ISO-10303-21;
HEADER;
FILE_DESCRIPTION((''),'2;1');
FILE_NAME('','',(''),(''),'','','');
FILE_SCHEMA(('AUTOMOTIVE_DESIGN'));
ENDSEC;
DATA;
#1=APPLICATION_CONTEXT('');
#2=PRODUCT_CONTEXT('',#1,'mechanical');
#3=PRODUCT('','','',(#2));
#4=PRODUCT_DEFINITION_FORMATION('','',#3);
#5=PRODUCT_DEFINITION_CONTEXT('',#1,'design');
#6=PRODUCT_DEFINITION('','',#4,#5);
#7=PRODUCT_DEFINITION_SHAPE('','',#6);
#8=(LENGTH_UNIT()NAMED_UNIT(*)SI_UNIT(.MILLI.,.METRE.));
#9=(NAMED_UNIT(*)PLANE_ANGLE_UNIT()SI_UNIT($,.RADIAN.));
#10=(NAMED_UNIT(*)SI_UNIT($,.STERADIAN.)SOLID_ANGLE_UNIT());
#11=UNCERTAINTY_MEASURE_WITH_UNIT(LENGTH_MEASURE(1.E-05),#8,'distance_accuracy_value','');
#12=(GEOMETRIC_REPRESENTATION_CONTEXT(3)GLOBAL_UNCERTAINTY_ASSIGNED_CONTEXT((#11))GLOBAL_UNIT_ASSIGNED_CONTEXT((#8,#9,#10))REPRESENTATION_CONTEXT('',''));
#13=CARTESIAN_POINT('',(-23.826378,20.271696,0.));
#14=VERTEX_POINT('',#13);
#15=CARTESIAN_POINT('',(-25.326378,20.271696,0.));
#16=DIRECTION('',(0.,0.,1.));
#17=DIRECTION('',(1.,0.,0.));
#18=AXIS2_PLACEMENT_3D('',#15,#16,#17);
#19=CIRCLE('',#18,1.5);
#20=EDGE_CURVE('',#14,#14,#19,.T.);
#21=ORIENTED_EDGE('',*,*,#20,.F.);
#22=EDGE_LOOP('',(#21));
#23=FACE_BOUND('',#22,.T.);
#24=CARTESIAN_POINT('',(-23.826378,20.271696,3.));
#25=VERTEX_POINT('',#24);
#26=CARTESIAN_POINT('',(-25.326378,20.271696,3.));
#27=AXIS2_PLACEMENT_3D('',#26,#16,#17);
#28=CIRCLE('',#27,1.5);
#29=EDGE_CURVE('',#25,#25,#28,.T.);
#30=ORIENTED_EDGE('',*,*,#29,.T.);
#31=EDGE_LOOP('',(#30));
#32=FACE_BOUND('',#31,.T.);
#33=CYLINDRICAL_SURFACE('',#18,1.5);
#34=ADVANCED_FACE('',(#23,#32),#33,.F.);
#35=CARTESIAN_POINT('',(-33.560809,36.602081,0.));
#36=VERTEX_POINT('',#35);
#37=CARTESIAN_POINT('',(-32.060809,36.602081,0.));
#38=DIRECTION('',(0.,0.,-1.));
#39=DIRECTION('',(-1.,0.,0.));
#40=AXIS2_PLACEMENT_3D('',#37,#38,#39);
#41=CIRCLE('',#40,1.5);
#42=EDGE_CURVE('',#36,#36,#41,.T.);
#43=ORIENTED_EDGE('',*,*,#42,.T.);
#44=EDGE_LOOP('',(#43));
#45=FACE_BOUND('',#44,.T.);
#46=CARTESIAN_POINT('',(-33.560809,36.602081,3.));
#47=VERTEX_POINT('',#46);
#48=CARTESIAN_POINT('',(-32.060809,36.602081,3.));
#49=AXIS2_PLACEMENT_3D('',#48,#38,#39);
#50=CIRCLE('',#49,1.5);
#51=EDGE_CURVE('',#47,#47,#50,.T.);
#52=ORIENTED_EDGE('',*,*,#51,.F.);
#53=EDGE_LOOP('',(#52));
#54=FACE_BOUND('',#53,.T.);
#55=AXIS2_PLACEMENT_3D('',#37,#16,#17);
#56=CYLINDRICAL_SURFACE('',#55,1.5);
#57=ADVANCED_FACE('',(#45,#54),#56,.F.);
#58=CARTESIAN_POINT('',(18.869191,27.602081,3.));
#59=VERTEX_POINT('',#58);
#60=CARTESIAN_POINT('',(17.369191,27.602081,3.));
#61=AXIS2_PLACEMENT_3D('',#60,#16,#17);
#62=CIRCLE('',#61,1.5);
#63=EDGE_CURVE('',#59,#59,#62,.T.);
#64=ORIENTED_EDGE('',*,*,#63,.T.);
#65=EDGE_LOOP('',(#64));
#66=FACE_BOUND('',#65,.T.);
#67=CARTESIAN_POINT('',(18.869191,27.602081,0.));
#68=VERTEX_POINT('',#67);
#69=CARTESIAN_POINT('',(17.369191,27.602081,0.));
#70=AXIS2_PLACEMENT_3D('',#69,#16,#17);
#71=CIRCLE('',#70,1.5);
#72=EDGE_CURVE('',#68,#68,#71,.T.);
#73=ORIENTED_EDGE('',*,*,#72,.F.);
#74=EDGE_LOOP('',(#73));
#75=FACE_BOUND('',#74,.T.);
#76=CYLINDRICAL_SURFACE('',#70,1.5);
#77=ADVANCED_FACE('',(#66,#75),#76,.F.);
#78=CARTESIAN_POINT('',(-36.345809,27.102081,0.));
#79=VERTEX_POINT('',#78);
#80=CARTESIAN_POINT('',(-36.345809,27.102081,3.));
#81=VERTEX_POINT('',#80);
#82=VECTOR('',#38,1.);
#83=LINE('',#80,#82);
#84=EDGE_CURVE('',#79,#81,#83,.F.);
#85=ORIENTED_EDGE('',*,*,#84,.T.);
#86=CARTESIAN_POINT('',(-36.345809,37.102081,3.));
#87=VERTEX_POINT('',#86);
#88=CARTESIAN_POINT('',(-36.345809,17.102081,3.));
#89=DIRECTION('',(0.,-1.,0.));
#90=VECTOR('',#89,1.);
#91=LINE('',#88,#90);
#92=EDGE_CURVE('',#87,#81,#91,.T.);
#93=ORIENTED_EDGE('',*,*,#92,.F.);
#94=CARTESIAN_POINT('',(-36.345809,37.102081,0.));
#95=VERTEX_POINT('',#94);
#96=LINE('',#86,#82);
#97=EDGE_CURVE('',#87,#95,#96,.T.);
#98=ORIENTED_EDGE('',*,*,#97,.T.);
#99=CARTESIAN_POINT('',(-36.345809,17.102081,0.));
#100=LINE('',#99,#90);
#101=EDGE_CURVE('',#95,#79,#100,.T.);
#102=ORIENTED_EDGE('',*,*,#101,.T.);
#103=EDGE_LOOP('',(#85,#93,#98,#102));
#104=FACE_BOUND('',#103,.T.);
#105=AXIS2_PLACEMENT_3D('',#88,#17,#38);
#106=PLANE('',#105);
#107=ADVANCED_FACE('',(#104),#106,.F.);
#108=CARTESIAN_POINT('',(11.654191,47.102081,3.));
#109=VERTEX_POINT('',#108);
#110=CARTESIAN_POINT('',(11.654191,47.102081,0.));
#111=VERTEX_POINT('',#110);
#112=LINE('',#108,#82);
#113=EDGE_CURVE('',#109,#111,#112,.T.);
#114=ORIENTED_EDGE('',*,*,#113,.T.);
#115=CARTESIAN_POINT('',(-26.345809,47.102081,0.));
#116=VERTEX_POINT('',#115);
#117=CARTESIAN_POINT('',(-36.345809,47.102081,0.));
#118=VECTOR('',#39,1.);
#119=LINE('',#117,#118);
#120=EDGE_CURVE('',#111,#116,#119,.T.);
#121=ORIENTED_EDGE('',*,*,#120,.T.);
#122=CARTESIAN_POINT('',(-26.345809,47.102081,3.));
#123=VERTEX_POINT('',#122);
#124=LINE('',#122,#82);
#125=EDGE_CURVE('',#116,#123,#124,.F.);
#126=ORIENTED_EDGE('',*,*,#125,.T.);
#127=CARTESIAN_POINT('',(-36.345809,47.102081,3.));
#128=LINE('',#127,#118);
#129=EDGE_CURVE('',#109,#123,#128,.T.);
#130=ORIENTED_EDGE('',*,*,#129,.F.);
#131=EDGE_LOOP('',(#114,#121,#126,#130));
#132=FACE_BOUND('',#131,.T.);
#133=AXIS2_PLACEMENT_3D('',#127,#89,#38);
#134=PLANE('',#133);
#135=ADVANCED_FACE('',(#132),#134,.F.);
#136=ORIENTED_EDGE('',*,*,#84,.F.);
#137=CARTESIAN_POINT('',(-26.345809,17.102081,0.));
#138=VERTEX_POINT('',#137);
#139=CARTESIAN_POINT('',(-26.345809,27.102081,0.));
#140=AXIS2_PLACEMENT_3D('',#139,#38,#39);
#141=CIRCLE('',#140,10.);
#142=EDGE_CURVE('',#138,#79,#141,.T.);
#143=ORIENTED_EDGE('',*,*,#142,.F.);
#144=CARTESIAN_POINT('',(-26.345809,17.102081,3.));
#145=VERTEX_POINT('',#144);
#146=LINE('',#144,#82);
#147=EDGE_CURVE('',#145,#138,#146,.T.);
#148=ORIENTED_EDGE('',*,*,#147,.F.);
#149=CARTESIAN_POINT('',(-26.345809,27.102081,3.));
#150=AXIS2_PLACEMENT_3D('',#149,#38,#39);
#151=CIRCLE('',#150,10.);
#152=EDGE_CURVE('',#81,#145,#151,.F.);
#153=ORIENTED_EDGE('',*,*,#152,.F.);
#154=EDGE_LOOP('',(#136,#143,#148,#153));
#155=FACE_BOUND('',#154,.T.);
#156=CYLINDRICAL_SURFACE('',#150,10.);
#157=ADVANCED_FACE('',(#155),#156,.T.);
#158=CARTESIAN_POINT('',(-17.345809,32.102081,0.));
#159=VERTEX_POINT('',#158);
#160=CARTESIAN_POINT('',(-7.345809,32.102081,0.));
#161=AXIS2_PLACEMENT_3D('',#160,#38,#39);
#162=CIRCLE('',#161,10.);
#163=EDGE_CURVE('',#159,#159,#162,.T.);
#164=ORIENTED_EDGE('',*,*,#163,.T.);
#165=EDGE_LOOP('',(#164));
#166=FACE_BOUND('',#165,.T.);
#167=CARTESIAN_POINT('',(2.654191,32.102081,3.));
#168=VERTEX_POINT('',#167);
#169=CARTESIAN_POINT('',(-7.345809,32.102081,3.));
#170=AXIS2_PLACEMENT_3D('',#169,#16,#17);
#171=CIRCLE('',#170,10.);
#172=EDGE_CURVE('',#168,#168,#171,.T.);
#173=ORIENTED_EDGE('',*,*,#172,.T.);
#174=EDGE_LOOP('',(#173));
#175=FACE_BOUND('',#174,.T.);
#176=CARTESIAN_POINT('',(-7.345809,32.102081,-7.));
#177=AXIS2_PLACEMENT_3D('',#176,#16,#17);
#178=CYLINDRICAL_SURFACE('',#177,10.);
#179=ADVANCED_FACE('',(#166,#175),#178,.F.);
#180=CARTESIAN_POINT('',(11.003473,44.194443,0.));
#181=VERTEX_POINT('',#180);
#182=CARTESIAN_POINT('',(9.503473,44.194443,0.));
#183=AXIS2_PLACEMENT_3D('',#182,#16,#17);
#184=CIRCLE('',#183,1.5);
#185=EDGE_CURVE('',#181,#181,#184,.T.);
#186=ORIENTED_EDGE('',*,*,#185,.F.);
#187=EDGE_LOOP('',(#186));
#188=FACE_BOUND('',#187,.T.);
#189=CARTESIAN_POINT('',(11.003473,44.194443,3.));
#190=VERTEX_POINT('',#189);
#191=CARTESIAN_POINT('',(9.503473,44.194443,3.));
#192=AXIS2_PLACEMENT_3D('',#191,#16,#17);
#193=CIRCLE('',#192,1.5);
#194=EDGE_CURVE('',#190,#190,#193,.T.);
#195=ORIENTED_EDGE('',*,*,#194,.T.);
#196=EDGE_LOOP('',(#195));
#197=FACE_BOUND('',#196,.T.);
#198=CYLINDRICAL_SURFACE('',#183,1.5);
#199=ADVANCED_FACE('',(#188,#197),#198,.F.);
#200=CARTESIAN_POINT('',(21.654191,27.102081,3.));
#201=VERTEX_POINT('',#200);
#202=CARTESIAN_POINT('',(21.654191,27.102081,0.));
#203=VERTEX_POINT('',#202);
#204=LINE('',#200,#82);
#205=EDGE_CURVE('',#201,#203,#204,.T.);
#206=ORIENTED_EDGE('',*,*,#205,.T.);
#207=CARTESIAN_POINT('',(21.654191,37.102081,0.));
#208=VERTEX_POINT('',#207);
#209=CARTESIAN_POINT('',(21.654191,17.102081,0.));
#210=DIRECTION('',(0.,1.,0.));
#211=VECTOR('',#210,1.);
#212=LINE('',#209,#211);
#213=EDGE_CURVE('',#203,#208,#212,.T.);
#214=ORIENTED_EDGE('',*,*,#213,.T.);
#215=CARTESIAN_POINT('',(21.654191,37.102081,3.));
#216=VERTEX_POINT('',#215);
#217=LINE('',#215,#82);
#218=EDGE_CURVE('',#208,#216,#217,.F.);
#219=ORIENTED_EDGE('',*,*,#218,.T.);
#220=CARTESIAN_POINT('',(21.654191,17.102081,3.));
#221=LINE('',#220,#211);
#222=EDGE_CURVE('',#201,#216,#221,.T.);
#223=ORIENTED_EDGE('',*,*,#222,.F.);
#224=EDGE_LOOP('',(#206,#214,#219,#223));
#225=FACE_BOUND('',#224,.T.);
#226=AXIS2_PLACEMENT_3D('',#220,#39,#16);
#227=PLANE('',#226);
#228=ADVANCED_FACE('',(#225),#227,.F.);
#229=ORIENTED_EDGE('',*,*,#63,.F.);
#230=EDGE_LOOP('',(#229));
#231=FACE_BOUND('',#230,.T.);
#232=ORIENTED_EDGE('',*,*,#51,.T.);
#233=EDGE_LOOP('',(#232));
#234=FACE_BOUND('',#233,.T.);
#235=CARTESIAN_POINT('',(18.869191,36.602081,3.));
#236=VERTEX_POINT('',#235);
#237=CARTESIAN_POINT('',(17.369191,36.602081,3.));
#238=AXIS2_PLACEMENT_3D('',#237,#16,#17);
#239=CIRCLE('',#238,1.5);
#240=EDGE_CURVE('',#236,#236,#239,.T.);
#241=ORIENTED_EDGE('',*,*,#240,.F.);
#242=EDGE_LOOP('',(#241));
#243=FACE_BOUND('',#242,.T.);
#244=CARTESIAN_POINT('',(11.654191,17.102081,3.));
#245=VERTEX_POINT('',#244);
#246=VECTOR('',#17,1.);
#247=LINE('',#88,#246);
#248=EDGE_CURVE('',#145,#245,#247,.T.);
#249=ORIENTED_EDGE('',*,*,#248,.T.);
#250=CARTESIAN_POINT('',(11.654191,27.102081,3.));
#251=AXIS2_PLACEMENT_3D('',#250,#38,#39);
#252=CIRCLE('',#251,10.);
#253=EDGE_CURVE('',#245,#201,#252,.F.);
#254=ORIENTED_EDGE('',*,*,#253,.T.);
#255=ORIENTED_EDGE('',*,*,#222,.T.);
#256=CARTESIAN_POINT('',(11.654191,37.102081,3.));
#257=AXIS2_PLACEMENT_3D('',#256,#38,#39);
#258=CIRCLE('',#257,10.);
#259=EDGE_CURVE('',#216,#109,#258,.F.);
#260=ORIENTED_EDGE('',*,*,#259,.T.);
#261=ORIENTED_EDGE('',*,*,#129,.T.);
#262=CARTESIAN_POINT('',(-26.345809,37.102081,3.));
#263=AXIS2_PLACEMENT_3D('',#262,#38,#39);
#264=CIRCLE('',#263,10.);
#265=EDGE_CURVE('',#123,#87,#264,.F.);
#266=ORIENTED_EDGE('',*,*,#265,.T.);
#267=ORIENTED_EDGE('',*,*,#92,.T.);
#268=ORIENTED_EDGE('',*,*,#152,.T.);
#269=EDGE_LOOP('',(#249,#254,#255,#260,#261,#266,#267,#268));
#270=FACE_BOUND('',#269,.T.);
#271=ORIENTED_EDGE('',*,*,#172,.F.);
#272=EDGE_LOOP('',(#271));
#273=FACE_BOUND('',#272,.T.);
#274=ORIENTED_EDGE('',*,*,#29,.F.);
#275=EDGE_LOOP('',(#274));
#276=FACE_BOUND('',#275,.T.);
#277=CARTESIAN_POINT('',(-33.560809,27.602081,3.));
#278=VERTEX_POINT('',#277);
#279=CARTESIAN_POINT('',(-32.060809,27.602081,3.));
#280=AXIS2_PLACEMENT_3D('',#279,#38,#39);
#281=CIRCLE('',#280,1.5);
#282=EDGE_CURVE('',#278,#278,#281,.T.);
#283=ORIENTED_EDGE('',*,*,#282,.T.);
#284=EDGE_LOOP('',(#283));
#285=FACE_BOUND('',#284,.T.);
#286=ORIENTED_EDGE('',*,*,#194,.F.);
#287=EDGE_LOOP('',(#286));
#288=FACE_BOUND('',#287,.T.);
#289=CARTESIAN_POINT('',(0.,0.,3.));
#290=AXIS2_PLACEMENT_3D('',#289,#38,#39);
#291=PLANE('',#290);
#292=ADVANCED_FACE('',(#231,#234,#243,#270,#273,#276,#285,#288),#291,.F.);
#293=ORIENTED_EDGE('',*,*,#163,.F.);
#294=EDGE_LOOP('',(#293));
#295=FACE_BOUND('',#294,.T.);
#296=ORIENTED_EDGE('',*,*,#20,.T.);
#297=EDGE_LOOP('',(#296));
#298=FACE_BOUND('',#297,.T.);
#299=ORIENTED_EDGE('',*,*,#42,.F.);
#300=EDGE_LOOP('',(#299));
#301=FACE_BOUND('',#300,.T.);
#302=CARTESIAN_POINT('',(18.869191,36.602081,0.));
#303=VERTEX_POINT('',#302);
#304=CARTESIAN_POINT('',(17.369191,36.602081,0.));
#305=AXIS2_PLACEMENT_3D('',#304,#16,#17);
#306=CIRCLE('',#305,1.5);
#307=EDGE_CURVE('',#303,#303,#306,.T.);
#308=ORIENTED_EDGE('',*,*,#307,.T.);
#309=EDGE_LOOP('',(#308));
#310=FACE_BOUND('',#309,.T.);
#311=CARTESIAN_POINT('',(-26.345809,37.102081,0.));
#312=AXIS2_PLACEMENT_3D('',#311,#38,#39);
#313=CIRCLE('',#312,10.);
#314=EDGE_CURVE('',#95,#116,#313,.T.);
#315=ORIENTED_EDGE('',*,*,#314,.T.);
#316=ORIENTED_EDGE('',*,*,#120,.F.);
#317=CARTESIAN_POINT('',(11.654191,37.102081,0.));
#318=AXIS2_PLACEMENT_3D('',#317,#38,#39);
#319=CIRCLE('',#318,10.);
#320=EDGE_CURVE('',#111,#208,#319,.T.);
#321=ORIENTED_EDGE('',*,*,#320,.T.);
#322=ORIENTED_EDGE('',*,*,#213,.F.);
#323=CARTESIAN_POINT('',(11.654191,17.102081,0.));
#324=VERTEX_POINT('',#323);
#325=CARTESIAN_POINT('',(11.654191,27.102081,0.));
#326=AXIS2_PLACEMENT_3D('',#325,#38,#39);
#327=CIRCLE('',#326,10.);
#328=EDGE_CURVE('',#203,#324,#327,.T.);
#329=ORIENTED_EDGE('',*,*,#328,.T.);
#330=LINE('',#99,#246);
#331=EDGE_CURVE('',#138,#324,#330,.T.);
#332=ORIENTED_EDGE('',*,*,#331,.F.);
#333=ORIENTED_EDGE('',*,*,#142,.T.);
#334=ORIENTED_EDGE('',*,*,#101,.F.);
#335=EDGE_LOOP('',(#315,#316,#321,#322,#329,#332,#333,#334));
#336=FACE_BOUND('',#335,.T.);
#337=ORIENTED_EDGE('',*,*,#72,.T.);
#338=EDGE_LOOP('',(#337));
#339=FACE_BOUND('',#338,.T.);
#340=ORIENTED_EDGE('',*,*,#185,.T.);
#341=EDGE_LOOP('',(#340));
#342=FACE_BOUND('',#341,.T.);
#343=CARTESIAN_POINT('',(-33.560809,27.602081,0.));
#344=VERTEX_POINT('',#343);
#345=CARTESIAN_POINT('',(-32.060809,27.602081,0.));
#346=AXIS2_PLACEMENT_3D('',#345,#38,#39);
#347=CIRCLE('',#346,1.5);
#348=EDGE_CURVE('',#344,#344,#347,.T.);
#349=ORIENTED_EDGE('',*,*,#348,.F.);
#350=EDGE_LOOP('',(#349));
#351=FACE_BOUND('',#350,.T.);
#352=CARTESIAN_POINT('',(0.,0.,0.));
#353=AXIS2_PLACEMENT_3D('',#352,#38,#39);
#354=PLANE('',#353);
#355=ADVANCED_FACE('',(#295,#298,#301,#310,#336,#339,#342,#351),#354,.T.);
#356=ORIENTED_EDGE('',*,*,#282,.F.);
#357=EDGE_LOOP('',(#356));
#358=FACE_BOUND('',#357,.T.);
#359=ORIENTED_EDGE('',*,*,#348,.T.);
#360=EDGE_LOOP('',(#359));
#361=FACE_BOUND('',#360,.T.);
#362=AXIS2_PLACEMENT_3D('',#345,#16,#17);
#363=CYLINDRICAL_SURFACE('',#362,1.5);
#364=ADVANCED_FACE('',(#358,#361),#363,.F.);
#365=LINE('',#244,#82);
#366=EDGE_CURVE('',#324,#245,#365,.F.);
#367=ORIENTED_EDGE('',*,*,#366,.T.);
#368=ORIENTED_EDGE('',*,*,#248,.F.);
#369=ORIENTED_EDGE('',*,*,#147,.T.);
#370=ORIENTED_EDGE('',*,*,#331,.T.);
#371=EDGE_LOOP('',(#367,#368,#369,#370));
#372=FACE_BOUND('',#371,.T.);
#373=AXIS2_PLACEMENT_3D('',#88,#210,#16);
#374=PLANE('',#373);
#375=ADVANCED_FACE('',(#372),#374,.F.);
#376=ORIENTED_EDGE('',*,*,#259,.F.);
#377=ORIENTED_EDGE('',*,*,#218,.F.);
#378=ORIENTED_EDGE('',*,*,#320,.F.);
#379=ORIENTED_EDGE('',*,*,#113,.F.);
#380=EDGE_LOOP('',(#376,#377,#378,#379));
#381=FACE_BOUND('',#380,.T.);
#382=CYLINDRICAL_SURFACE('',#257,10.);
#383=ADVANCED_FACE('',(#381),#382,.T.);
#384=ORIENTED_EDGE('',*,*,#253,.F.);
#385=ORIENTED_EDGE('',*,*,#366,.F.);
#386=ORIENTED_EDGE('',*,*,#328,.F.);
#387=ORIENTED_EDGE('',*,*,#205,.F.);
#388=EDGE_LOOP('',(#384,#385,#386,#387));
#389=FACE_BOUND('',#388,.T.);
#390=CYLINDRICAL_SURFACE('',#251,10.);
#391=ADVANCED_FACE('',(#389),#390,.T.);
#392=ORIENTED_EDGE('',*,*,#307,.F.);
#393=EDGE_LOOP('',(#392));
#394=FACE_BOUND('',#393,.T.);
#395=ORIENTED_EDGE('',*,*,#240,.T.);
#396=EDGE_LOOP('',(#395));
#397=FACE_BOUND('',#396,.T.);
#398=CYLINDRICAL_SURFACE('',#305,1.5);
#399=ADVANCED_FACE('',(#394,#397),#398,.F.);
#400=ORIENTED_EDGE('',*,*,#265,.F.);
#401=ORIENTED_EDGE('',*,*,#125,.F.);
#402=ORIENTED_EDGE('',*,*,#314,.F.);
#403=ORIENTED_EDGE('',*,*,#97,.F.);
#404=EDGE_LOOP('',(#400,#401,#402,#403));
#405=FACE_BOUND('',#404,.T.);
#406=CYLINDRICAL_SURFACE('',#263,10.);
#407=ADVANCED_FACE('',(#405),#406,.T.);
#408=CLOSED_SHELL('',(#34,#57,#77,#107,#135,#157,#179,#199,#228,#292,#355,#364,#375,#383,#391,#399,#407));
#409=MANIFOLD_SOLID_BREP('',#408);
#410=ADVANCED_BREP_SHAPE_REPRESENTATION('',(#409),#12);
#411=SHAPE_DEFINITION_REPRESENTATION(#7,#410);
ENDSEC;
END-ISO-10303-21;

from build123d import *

# Parameters (mm, degrees)
SKETCH1_W           = 58
SKETCH1_H           = 30
BOSS_EXTRUDE1_DEPTH = 3
FILLET1_R           = 10
SKETCH2_R           = 1.5
CUT_EXTRUDE1_DEPTH  = 3
SKETCH3_R           = 1.5
CUT_EXTRUDE2_DEPTH  = 3
SKETCH4_R           = 10
CUT_EXTRUDE3_DEPTH  = 10


with BuildPart() as part:
    # Sketch1 → Boss-Extrude1 (new body)
    with BuildSketch(Plane.XY):
        with Locations((-7.345808821, 32.102080843)):
            Rectangle(SKETCH1_W, SKETCH1_H)
    extrude(amount=BOSS_EXTRUDE1_DEPTH)

    # Fillet1
    fillet1_edges = [part.edges().sort_by_distance(p)[0] for p in [
        (21.654191179, 17.102080843, 1.5),
        (-36.345808821, 17.102080843, 1.5),
        (-36.345808821, 47.102080843, 1.5),
        (21.654191179, 47.102080843, 1.5),
    ]]
    fillet(fillet1_edges, radius=FILLET1_R)

    # Sketch2 → Cut-Extrude1 (cut)
    with BuildSketch(Plane.XY.offset(3)):
        with Locations((17.369191179, 27.602080843)):
            Circle(SKETCH2_R)
        with Locations((17.369191179, 36.602080843)):
            Circle(SKETCH2_R)
    cut_extrude1 = extrude(amount=-CUT_EXTRUDE1_DEPTH, mode=Mode.SUBTRACT)

    # Mirror1: Cut-Extrude1 across plane
    add(cut_extrude1.mirror(Plane(origin=(-7.345808821, 0, 0), x_dir=(0, 0, 1), z_dir=(1, 0, 0))), mode=Mode.SUBTRACT)

    # Sketch3 → Cut-Extrude2 (cut)
    with BuildSketch(Plane.XY.offset(3)):
        with Locations((-25.326377841, 20.27169556)):
            Circle(SKETCH3_R)
        with Locations((9.503472923, 44.194442915)):
            Circle(SKETCH3_R)
    extrude(amount=-CUT_EXTRUDE2_DEPTH, mode=Mode.SUBTRACT)

    # Sketch4 → Cut-Extrude3 (cut)
    with BuildSketch(Plane.XY.offset(3)):
        with Locations((-7.345808821, 32.102080843)):
            Circle(SKETCH4_R)
    extrude(amount=-CUT_EXTRUDE3_DEPTH, mode=Mode.SUBTRACT)


solid = part.part
